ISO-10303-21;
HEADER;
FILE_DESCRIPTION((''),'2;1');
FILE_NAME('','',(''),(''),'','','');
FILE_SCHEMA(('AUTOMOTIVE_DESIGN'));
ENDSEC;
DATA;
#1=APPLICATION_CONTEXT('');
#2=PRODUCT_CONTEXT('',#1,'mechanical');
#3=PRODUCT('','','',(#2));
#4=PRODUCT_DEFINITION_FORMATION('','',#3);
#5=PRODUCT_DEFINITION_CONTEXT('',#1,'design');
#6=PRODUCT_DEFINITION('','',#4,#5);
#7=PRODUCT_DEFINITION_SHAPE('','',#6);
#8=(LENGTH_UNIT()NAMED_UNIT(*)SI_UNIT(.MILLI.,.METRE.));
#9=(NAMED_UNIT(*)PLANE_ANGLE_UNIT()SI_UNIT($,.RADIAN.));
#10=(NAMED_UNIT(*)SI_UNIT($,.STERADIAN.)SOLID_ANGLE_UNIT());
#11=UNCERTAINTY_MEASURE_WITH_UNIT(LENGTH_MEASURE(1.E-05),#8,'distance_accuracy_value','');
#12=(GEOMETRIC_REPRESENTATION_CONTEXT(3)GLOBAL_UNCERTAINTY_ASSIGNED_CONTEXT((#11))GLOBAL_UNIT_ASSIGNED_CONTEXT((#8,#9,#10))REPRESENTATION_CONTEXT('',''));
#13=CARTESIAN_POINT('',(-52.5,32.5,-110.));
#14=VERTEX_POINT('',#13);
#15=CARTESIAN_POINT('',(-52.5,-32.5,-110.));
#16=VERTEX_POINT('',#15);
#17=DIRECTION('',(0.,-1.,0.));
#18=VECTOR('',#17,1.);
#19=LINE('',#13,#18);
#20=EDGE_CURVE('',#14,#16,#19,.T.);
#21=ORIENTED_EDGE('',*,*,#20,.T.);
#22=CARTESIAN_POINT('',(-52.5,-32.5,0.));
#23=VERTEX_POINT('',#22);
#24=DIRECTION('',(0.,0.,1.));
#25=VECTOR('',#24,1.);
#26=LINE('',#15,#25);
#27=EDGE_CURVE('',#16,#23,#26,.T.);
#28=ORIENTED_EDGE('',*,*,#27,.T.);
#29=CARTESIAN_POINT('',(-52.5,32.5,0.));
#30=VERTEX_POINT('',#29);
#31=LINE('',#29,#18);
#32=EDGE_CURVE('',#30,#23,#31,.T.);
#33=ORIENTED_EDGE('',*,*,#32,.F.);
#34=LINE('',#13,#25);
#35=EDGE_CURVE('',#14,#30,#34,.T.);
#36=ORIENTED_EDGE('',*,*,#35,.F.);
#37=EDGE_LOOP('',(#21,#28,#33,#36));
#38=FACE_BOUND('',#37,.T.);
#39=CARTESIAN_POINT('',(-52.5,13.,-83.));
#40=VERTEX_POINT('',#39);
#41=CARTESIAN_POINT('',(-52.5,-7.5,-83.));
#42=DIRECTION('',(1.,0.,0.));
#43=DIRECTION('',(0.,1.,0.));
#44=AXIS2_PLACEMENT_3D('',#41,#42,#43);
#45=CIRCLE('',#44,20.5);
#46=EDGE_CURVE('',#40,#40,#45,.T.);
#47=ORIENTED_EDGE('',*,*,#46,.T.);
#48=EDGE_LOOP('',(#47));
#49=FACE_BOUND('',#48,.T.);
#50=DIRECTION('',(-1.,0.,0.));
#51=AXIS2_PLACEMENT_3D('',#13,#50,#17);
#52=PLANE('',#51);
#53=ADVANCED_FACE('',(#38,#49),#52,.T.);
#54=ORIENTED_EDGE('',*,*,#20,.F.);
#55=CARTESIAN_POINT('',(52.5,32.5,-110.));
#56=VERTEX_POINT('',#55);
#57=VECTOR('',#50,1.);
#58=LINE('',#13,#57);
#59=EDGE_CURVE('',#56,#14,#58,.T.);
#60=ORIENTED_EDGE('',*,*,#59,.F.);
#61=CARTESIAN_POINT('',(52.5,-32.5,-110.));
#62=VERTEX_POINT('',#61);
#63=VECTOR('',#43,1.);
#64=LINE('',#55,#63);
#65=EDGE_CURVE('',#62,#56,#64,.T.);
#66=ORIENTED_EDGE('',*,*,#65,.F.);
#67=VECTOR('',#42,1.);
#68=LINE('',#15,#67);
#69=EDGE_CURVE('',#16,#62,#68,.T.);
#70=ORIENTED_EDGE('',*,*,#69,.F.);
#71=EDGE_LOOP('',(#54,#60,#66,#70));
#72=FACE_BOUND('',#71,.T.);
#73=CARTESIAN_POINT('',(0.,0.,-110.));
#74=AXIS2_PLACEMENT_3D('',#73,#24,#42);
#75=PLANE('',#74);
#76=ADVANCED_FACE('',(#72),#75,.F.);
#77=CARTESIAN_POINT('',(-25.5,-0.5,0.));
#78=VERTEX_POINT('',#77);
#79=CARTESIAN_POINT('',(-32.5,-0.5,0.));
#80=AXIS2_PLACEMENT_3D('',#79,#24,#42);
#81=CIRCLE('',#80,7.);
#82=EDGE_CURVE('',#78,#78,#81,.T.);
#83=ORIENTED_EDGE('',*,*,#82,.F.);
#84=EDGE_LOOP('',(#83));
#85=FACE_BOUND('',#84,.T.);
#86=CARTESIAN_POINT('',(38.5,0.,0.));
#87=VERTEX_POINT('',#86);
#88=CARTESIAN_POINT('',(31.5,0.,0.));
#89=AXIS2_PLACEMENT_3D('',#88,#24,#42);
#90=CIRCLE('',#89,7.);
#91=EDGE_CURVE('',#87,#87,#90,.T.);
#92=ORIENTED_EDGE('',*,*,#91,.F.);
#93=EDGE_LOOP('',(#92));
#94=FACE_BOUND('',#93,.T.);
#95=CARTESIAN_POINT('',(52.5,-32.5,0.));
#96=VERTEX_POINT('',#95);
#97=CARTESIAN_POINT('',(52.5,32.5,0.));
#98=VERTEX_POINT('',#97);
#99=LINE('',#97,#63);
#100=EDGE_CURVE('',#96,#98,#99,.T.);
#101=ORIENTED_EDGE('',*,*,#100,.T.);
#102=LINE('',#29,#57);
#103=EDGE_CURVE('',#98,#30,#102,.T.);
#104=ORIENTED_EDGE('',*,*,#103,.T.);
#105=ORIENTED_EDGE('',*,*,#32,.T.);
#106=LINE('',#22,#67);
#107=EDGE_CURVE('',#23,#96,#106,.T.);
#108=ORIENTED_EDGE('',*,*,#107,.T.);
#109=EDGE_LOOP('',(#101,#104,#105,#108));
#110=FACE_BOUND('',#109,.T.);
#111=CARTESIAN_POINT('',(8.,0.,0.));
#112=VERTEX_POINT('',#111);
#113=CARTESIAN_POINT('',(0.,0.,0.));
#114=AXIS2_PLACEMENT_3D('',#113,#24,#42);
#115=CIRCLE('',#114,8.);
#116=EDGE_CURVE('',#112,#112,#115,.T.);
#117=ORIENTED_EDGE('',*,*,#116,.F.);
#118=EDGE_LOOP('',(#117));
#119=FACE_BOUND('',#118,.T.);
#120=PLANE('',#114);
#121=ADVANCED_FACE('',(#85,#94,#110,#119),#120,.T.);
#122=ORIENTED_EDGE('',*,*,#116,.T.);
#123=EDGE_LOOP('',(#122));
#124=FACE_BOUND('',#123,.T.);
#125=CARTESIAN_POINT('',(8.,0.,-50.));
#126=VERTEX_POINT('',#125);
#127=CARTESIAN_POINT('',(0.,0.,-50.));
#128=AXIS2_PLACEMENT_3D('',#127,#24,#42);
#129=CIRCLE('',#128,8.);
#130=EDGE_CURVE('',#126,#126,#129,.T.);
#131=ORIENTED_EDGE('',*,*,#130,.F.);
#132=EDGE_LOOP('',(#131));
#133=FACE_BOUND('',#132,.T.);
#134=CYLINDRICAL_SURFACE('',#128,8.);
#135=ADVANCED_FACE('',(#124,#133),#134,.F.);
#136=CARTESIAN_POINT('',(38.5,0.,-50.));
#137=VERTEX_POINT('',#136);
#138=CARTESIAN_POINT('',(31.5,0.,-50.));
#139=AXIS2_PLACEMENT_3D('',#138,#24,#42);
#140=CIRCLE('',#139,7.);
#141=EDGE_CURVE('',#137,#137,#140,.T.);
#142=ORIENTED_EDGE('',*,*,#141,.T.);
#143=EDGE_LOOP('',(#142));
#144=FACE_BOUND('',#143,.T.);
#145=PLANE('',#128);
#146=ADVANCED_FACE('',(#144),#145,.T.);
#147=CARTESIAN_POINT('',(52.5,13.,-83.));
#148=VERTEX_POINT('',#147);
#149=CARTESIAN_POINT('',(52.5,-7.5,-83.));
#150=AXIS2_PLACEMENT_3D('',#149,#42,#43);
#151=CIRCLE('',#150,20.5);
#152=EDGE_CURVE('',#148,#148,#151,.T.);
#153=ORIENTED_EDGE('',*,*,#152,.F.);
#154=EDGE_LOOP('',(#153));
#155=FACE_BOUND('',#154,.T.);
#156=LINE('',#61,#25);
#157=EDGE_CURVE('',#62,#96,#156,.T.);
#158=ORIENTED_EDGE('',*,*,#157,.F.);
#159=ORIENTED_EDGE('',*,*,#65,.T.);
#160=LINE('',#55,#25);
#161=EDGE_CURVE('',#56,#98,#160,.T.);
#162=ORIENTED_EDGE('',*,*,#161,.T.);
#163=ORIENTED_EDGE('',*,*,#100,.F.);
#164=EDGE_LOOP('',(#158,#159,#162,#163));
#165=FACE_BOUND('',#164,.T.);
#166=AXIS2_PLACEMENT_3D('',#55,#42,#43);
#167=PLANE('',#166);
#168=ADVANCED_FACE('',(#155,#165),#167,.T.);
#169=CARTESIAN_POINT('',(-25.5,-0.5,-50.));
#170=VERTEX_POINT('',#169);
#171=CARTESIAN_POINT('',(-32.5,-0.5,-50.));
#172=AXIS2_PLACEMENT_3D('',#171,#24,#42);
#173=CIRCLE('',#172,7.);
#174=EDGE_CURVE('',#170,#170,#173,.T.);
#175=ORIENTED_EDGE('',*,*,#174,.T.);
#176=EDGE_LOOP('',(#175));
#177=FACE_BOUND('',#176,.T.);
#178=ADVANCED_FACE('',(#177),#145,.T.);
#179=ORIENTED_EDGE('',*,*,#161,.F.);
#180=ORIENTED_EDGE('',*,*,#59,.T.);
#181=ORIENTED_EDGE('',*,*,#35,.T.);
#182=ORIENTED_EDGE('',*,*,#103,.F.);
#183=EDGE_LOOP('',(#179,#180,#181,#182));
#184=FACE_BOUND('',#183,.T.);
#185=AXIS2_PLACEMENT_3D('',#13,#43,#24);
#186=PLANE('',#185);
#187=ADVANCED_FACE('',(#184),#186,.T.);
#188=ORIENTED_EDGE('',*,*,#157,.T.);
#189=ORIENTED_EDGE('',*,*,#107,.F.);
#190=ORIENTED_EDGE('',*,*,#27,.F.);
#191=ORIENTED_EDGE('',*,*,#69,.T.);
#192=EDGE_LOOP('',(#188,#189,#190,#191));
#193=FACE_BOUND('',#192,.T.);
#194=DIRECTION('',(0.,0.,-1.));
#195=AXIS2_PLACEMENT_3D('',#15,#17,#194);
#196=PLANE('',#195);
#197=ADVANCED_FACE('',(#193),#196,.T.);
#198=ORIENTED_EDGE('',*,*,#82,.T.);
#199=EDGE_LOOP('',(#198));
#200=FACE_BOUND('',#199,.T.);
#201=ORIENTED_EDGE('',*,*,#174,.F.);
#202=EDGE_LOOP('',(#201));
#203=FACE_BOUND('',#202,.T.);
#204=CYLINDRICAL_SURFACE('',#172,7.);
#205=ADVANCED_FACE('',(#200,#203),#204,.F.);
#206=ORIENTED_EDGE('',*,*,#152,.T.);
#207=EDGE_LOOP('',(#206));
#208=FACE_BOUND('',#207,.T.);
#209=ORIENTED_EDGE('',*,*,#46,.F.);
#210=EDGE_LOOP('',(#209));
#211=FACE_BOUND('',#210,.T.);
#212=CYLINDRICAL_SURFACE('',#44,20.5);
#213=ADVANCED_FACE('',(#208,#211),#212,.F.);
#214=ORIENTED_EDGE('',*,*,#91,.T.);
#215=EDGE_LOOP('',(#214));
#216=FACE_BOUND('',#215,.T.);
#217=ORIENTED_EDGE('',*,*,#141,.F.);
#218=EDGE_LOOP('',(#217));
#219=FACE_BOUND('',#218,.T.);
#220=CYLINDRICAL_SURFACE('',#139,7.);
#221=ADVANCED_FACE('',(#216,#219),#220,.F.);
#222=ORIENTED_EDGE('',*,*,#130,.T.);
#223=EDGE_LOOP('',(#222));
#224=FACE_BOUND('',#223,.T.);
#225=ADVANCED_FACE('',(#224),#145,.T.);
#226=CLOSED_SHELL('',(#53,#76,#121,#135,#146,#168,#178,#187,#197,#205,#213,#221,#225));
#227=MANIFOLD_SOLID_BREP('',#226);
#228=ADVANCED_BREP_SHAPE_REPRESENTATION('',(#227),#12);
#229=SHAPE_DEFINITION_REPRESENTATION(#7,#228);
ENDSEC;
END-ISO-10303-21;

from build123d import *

# Parameters (mm, degrees)
SKETCH_2_W          = 105
SKETCH_2_H          = 65
EXTRUDE_1_DEPTH     = 110
SKETCH_3_R          = 7
SKETCH_3_R_2        = 8
CUT_EXTRUDE_1_DEPTH = 50
SKETCH_4_R          = 20.5
CUT_EXTRUDE_2_DEPTH = 156.503215401


with BuildPart() as part:
    # 草图2 → 凸台-拉伸1 (new body)
    with BuildSketch(Plane.XY):
        Rectangle(SKETCH_2_W, SKETCH_2_H)
    extrude(amount=-EXTRUDE_1_DEPTH)

    # 草图3 → 切除-拉伸1 (cut)
    with BuildSketch(Plane.XY):
        with Locations((-32.5, -0.5)):
            Circle(SKETCH_3_R)
        with Locations((31.5, 0)):
            Circle(SKETCH_3_R)
        Circle(SKETCH_3_R_2)
    extrude(amount=-CUT_EXTRUDE_1_DEPTH, mode=Mode.SUBTRACT)

    # 草图4 → 切除-拉伸2 (cut, through all)
    with BuildSketch(Plane(origin=(52.5, 0, 0), x_dir=(0, 0, -1), z_dir=(1, 0, 0))):
        with Locations(Location((83, -7.5, 0), (0, 0, 90))):
            Circle(SKETCH_4_R)
    extrude(amount=-CUT_EXTRUDE_2_DEPTH, mode=Mode.SUBTRACT)


solid = part.part
